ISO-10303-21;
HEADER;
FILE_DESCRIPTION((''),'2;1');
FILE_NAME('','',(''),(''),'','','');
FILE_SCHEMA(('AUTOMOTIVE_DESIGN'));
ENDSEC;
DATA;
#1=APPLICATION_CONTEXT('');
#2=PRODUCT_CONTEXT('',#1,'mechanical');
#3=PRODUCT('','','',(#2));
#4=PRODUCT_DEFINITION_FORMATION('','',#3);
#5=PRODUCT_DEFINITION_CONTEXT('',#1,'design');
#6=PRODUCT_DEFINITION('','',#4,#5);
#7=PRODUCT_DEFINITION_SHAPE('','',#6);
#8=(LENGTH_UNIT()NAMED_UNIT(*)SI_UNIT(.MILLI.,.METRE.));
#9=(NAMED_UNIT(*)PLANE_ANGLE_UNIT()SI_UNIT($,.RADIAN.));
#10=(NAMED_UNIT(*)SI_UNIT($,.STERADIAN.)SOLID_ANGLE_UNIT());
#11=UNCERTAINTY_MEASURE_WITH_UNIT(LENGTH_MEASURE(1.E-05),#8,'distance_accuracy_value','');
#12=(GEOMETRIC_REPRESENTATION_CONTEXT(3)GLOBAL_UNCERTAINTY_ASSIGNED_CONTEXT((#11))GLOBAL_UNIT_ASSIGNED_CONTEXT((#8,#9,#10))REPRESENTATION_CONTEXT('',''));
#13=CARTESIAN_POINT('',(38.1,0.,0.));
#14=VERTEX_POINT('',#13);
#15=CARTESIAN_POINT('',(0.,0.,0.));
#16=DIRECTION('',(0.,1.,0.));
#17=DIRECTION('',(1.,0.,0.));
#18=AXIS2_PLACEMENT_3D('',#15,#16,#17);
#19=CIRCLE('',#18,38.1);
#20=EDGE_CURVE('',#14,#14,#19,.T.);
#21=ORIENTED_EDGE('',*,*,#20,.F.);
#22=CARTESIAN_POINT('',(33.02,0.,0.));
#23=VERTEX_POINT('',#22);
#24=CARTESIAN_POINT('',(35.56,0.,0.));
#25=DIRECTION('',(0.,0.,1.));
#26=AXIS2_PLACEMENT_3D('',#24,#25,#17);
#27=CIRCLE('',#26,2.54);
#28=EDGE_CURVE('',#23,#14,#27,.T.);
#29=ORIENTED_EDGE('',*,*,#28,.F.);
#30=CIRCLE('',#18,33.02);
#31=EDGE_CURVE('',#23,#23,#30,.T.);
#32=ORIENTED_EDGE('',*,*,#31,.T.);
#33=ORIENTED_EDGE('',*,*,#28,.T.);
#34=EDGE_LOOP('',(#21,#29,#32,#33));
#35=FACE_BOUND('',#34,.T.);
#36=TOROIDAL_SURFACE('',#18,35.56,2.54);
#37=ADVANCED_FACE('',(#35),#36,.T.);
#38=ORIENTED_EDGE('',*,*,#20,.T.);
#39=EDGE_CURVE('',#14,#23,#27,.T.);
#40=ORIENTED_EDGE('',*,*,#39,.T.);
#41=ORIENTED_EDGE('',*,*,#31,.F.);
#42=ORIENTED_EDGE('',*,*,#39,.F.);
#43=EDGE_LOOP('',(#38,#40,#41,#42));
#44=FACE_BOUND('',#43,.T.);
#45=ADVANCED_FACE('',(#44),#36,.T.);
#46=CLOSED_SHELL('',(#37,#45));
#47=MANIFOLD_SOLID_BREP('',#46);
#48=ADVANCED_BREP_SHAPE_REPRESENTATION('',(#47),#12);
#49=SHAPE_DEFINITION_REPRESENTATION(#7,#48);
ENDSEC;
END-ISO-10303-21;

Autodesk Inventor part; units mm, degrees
ref_plane "YZ Plane" through (0, 0, 0) normal (1, 0, 0) x (0, 1, 0)
ref_plane "XZ Plane" through (0, 0, 0) normal (0, 1, 0) x (-1, 0, 0)
ref_plane "XY Plane" through (0, 0, 0) normal (0, 0, 1) x (1, 0, 0)
sketch "Sketch1" plane through (0, 0, 0) normal (0, 0, 1) x (1, 0, 0)
  line L0 (0, 0) -> (35.56, 0)
  circle A0 centre (35.56, 0) radius 2.54
  line L1 (0, -3.556) -> (0, 3.556) projected
  dimension "d0" = 35.56
  dimension "d1" = 5.08
revolve "Revolution1" add sketch "Sketch1" angle 360 about axis through (0, -10, 0) along (0, 1, 0)
properties part number "oringlarge" material "Rubber, Silicone"
